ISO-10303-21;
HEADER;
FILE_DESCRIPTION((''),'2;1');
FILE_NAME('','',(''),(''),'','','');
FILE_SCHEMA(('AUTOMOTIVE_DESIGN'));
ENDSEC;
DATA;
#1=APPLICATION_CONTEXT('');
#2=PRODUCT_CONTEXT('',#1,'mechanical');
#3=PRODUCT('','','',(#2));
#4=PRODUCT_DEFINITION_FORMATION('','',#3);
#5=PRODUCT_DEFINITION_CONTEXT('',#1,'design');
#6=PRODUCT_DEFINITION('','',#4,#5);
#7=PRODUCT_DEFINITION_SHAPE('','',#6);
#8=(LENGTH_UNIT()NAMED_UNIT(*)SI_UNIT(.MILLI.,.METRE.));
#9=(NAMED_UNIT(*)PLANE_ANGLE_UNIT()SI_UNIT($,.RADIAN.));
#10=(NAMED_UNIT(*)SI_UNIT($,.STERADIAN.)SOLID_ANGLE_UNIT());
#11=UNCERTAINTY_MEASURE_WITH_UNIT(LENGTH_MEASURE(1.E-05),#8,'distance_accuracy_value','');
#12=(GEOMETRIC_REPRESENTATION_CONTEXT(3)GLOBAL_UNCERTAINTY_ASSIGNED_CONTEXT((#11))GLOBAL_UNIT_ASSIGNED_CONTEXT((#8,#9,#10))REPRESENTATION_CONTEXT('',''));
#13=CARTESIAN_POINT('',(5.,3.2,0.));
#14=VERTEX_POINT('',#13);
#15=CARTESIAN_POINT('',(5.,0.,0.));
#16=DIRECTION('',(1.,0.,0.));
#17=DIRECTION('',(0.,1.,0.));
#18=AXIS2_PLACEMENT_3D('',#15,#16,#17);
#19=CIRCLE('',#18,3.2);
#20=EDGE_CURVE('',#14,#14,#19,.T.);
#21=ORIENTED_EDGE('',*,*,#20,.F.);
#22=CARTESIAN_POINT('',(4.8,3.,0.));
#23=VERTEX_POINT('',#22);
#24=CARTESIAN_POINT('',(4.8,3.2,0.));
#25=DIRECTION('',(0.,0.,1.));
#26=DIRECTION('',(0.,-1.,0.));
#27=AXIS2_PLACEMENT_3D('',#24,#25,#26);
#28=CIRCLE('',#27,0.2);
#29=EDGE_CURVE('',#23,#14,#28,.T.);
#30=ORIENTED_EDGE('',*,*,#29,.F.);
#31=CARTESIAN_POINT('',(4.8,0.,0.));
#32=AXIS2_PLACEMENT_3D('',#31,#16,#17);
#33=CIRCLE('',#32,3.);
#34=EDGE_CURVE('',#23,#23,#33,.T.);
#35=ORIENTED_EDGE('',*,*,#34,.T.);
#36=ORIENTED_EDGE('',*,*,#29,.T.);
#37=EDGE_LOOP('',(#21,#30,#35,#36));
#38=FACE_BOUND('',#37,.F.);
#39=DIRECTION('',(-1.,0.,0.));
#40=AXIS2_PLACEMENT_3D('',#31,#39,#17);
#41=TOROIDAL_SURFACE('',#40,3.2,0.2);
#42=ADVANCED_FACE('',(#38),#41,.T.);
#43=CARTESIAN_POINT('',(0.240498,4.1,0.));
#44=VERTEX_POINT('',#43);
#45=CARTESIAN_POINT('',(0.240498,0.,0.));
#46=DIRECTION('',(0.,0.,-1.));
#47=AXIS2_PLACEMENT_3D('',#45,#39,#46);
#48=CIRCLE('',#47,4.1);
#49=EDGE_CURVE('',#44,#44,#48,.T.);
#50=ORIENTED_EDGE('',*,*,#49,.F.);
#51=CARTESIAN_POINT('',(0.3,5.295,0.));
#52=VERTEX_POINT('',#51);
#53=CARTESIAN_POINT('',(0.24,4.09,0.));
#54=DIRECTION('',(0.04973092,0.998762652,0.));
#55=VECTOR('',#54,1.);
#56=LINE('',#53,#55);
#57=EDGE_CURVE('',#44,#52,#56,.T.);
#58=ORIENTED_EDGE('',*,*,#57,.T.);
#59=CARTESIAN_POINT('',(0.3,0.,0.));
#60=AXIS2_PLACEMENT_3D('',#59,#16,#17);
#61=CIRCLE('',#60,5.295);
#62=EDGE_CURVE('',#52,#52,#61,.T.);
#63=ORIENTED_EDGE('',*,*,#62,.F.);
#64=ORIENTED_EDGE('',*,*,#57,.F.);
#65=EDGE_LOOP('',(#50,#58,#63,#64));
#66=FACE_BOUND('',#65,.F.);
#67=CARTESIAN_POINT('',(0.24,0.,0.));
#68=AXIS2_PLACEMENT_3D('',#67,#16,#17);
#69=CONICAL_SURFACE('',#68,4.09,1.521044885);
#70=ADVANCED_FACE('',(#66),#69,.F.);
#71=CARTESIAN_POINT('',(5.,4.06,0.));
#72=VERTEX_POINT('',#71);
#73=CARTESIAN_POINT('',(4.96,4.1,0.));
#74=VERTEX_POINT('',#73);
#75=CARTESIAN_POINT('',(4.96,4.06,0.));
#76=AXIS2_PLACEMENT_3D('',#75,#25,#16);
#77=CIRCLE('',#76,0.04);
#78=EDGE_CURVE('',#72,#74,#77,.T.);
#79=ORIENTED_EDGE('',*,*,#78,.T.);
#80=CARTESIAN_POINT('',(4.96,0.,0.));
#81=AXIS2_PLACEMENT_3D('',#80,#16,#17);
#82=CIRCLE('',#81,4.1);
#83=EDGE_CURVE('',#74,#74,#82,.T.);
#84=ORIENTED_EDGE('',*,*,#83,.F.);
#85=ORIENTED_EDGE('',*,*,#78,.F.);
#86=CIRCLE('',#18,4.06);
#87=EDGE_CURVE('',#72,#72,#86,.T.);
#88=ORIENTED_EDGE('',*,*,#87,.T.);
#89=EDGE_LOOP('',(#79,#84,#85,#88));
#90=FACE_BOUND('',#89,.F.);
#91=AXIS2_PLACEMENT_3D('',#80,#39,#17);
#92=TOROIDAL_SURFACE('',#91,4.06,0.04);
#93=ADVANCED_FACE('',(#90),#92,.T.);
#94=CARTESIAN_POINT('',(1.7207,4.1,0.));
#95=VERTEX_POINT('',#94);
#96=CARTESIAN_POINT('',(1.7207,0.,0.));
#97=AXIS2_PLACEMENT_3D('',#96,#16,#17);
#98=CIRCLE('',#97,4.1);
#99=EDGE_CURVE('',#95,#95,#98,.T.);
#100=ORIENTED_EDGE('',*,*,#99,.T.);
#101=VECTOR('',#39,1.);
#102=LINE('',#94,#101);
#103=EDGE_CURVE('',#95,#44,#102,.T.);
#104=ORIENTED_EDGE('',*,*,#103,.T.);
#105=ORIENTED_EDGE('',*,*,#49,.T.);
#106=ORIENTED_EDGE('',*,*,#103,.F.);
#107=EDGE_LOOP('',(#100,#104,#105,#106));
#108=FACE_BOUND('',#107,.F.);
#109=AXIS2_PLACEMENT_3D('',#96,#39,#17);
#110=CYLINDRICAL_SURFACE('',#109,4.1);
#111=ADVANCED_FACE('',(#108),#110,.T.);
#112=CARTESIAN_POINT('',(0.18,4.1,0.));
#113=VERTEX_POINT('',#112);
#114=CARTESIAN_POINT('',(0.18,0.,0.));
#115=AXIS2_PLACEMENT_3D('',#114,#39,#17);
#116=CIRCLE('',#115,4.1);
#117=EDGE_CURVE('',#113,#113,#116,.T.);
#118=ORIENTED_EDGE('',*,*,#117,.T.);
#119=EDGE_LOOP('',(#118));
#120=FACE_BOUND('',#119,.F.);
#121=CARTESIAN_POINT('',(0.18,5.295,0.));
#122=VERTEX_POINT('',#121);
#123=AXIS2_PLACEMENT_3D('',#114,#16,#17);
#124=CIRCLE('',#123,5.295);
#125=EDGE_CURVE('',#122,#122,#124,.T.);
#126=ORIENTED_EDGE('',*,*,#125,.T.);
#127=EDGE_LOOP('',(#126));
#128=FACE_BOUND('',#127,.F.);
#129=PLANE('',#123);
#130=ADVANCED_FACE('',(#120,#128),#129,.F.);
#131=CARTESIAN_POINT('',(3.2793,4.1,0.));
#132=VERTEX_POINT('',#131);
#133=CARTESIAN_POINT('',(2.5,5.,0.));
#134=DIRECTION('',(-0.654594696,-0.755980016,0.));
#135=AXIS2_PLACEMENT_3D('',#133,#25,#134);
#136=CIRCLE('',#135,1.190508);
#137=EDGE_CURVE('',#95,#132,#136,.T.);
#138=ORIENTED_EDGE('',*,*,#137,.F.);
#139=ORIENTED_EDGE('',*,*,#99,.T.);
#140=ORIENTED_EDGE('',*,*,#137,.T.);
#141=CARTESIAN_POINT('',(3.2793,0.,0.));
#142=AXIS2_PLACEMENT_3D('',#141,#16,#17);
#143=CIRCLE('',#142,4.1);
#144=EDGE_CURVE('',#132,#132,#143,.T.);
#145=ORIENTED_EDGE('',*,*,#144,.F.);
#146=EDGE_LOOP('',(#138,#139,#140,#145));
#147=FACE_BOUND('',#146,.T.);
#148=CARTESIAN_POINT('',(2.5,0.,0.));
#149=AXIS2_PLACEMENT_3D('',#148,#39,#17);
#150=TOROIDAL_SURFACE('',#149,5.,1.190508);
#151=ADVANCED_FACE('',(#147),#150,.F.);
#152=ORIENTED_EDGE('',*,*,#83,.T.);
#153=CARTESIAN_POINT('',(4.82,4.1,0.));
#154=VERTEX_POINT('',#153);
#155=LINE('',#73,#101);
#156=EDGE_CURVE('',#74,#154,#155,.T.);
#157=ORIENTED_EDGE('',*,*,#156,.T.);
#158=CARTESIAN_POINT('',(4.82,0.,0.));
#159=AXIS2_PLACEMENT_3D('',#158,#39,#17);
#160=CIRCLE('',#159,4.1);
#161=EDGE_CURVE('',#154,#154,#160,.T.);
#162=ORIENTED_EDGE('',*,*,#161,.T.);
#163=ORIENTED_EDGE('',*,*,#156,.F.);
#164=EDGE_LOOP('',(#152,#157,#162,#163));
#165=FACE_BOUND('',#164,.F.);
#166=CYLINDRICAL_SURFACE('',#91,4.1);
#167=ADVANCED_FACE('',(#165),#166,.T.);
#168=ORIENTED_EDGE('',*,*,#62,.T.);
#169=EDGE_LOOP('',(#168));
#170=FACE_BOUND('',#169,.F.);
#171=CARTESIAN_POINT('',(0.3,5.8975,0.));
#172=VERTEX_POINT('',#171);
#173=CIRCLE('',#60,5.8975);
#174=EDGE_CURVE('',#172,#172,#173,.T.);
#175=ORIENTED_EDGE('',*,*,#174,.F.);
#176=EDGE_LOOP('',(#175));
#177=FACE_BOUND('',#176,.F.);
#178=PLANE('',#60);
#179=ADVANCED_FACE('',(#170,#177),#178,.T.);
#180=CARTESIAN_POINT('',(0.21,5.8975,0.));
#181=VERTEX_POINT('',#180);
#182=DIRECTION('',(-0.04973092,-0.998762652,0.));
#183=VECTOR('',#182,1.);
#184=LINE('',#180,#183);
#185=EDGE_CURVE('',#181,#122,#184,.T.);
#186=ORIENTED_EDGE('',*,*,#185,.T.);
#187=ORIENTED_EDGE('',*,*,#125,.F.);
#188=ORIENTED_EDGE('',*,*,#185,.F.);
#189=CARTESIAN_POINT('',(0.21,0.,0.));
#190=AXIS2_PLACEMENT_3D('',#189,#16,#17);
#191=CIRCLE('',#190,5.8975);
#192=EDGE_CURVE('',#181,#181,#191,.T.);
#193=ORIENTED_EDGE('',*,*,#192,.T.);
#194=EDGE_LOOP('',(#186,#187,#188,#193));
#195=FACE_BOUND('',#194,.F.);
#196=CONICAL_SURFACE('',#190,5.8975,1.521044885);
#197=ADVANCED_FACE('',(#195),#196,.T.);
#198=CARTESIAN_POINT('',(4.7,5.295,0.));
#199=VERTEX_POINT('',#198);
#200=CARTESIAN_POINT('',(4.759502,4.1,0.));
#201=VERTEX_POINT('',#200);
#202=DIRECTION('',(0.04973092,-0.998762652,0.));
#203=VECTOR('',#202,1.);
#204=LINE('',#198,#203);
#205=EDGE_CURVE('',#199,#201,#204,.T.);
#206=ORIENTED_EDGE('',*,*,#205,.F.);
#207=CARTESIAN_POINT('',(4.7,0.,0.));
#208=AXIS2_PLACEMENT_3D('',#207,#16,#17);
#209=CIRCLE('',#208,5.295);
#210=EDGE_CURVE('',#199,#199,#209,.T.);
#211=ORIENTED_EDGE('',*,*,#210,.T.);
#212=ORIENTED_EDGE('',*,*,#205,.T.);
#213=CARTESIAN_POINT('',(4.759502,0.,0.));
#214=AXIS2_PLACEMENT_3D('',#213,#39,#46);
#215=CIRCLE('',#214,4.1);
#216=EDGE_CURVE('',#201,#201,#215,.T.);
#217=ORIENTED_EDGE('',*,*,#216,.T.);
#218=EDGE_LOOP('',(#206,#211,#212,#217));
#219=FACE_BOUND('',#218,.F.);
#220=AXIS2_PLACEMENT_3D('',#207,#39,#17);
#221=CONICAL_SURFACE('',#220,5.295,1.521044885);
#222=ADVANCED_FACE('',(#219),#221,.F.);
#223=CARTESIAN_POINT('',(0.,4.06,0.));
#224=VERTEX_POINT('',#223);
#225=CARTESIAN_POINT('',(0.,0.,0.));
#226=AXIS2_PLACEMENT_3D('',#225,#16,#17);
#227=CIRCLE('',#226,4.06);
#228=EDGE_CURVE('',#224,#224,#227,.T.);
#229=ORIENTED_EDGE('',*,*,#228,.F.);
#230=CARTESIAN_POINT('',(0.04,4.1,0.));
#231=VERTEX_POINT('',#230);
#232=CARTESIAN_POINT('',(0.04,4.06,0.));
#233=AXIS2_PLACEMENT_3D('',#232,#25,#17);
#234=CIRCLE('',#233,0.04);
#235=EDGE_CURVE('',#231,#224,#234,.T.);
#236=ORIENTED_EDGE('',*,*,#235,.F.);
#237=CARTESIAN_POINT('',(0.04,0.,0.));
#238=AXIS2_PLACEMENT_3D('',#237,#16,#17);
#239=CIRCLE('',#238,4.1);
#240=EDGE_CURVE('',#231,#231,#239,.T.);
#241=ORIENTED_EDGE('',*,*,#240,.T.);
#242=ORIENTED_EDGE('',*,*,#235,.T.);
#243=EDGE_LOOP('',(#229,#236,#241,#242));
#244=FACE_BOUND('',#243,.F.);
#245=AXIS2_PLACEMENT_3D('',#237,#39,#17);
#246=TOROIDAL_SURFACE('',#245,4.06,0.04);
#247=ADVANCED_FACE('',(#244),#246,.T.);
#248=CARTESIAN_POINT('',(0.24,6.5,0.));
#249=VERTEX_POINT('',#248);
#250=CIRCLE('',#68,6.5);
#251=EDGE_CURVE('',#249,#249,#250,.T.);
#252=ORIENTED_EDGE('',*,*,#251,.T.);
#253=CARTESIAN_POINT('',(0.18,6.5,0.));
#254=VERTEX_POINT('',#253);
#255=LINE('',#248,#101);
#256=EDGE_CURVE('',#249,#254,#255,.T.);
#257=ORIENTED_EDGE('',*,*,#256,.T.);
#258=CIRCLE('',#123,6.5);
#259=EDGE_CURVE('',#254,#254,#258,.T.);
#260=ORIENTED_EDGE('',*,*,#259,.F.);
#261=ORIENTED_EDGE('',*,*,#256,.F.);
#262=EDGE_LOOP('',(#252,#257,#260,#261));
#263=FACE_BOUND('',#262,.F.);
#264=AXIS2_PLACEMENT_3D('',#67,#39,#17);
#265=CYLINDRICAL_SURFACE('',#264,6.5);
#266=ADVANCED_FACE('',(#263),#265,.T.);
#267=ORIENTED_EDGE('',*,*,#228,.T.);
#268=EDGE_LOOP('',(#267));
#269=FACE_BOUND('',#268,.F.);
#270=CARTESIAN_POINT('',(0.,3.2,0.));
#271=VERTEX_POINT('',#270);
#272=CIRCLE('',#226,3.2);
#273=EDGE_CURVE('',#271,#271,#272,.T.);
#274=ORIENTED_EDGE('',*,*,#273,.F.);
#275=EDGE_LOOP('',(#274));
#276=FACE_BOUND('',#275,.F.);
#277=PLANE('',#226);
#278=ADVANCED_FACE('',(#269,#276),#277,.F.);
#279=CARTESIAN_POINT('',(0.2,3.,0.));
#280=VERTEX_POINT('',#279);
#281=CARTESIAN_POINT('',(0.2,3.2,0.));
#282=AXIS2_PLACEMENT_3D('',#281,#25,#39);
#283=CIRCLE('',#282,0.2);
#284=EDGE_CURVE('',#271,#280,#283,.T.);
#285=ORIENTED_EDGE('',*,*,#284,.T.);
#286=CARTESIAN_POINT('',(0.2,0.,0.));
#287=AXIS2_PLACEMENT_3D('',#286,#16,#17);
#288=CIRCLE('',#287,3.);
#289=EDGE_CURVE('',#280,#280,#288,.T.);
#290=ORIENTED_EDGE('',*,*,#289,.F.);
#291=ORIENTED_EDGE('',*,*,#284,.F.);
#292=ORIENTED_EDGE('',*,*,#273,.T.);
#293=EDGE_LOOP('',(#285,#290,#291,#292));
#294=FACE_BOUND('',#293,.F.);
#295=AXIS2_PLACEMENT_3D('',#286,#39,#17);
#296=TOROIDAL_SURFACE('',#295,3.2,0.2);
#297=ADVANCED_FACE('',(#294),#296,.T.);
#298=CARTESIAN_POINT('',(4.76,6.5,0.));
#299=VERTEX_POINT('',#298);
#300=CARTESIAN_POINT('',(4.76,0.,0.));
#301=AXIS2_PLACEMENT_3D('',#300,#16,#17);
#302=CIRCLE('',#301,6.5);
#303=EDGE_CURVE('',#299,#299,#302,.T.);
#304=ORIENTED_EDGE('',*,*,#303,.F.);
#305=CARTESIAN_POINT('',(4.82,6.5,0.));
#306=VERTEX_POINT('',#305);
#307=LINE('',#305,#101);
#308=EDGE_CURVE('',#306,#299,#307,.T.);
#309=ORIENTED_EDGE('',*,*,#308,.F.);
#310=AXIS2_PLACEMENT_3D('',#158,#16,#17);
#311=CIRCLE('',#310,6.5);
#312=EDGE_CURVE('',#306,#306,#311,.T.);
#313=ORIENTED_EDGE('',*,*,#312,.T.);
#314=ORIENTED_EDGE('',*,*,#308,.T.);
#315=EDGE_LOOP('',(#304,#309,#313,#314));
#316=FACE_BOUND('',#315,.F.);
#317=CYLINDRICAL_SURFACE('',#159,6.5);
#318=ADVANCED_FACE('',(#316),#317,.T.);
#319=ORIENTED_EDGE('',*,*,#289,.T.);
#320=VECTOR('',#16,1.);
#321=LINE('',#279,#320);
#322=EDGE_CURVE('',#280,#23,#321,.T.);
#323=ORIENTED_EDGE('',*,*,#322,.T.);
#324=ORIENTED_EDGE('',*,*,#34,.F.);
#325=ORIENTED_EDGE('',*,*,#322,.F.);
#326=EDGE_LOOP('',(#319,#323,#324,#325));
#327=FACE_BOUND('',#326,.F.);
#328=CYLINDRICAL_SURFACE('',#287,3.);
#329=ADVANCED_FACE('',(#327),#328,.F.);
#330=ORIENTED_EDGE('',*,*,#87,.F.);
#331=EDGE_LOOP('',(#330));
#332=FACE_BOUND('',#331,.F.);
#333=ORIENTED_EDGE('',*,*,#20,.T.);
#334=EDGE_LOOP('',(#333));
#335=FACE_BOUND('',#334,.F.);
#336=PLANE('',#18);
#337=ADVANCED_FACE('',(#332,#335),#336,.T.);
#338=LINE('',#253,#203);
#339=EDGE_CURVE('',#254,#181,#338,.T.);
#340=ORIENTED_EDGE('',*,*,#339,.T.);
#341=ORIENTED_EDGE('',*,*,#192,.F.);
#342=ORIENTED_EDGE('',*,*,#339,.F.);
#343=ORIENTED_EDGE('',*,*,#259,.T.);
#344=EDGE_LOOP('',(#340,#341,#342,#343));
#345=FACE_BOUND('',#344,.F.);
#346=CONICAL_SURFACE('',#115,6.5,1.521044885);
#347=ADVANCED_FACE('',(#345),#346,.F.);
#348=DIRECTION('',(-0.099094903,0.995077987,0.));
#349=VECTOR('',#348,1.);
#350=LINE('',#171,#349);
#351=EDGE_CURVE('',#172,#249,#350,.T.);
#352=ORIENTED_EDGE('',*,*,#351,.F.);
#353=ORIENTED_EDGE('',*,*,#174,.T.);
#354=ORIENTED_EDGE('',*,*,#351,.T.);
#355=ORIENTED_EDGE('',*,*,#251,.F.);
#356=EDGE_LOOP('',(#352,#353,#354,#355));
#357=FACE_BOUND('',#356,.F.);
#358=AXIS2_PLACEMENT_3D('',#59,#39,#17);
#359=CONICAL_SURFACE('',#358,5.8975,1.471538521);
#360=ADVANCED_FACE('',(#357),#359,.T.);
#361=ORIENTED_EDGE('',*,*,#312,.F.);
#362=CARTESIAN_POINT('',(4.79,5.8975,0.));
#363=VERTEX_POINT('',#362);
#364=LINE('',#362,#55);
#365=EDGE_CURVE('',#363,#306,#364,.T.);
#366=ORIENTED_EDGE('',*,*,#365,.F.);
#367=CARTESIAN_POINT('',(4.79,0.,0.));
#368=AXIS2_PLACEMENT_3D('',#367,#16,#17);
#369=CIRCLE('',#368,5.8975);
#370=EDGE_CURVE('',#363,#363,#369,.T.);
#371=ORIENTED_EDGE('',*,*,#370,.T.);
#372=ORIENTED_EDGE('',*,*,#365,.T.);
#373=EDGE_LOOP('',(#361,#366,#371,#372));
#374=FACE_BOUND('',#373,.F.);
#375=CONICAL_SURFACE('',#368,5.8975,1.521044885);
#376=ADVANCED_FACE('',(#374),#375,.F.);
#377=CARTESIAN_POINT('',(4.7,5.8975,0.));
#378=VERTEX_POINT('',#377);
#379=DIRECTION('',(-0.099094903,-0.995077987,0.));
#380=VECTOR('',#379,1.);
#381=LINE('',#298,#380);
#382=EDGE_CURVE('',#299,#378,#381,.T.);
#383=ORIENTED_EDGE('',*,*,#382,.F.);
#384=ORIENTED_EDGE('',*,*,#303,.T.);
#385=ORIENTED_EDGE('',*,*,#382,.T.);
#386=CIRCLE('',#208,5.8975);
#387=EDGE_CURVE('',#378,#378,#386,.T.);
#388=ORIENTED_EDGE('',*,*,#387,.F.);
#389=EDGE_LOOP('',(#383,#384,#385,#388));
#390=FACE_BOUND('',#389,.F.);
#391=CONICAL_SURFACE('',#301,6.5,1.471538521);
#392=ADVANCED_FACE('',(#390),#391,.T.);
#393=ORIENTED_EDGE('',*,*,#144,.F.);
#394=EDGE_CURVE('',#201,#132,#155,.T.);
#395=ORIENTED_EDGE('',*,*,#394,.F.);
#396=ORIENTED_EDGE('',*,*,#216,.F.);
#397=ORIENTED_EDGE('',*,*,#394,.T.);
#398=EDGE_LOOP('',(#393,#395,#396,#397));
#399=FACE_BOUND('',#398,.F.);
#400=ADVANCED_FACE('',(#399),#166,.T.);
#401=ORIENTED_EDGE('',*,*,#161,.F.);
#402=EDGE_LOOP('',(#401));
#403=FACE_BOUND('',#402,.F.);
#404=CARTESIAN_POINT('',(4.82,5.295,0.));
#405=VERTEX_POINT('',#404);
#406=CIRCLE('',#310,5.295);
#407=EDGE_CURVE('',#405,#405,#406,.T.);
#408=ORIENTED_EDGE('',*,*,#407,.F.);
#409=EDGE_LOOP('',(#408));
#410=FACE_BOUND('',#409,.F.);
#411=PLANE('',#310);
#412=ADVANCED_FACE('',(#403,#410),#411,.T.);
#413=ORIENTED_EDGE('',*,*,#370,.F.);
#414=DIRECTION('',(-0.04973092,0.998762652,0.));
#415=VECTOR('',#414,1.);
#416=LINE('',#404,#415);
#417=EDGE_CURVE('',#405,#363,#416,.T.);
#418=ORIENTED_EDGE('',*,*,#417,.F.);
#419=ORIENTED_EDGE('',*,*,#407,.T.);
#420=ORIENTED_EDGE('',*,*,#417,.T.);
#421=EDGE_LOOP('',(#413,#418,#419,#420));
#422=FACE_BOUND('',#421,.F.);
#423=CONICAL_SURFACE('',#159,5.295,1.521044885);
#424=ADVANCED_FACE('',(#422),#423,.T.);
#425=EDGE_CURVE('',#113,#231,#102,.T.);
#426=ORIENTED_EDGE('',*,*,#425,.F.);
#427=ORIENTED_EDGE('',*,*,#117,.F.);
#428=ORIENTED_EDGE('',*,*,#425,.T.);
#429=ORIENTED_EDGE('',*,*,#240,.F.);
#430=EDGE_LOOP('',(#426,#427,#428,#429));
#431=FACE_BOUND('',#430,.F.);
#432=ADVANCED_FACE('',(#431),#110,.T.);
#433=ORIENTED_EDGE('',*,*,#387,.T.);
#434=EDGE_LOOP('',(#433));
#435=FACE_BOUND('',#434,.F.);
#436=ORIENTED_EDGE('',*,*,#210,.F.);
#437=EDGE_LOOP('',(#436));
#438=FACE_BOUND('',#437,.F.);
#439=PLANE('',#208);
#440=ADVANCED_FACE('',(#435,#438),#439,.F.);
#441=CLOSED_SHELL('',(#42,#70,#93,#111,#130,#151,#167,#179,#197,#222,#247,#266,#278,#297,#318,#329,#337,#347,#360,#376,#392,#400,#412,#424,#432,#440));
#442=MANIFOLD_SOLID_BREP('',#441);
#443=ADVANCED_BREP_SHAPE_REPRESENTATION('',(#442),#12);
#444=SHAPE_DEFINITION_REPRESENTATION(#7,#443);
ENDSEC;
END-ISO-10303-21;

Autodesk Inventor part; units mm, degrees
ref_plane "YZ Plane" through (0, 0, 0) normal (1, 0, 0) x (0, 1, 0)
ref_plane "XZ Plane" through (0, 0, 0) normal (0, 1, 0) x (-1, 0, 0)
ref_plane "XY Plane" through (0, 0, 0) normal (0, 0, 1) x (1, 0, 0)
sketch "Sketch_17" plane through (0, 0, 0) normal (0, 0, 1) x (1, 0, 0)
  line L0 (50, 0) -> (-50, 0)
  line L1 (0, 4.06) -> (0, 3.2)
  arc A0 (0, 3.2) -> (0.2, 3) centre (0.2, 3.2) ccw
  line L2 (0.2, 3) -> (4.8, 3)
  arc A1 (4.8, 3) -> (5, 3.2) centre (4.8, 3.2) ccw
  line L3 (5, 3.2) -> (5, 4.06)
  arc A2 (5, 4.06) -> (4.96, 4.1) centre (4.96, 4.06) ccw
  line L4 (4.96, 4.1) -> (3.2793, 4.1)
  arc A3 (1.7207, 4.1) -> (3.2793, 4.1) centre (2.5, 5) ccw
  line L5 (1.7207, 4.1) -> (0.04, 4.1)
  arc A4 (0.04, 4.1) -> (0, 4.06) centre (0.04, 4.06) ccw
revolve "Revolution1" add sketch "Sketch_17" angle 360 about axis through (50, 0, 0) along (1, 0, 0)
sketch "Sketch_20" plane through (0, 0, 0) normal (0, 0, 1) x (1, 0, 0)
  line L0 (50, 0) -> (-50, 0)
  line L1 (0.18, 6.5) -> (0.21, 5.8975)
  line L2 (0.21, 5.8975) -> (0.18, 5.295)
  line L3 (0.18, 5.295) -> (0.18, 4.09)
  line L4 (0.18, 4.09) -> (0.24, 4.09)
  line L5 (0.24, 4.09) -> (0.3, 5.295)
  line L6 (0.3, 5.295) -> (0.3, 5.8975)
  line L7 (0.3, 5.8975) -> (0.24, 6.5)
  line L8 (0.24, 6.5) -> (0.18, 6.5)
revolve "Revolution2" add sketch "Sketch_20" angle 360 about axis through (50, 0, 0) along (1, 0, 0)
sketch "Sketch_21" plane through (0, 0, 0) normal (0, 0, 1) x (1, 0, 0)
  line L0 (50, 0) -> (-50, 0)
  line L1 (4.7, 5.8975) -> (4.7, 5.295)
  line L2 (4.7, 5.295) -> (4.76, 4.09)
  line L3 (4.76, 4.09) -> (4.82, 4.09)
  line L4 (4.82, 4.09) -> (4.82, 5.295)
  line L5 (4.82, 5.295) -> (4.79, 5.8975)
  line L6 (4.79, 5.8975) -> (4.82, 6.5)
  line L7 (4.82, 6.5) -> (4.76, 6.5)
  line L8 (4.76, 6.5) -> (4.7, 5.8975)
revolve "Revolution3" add sketch "Sketch_21" angle 360 about axis through (50, 0, 0) along (1, 0, 0)
properties part number "SKF_619/6-2Z_PART1"
